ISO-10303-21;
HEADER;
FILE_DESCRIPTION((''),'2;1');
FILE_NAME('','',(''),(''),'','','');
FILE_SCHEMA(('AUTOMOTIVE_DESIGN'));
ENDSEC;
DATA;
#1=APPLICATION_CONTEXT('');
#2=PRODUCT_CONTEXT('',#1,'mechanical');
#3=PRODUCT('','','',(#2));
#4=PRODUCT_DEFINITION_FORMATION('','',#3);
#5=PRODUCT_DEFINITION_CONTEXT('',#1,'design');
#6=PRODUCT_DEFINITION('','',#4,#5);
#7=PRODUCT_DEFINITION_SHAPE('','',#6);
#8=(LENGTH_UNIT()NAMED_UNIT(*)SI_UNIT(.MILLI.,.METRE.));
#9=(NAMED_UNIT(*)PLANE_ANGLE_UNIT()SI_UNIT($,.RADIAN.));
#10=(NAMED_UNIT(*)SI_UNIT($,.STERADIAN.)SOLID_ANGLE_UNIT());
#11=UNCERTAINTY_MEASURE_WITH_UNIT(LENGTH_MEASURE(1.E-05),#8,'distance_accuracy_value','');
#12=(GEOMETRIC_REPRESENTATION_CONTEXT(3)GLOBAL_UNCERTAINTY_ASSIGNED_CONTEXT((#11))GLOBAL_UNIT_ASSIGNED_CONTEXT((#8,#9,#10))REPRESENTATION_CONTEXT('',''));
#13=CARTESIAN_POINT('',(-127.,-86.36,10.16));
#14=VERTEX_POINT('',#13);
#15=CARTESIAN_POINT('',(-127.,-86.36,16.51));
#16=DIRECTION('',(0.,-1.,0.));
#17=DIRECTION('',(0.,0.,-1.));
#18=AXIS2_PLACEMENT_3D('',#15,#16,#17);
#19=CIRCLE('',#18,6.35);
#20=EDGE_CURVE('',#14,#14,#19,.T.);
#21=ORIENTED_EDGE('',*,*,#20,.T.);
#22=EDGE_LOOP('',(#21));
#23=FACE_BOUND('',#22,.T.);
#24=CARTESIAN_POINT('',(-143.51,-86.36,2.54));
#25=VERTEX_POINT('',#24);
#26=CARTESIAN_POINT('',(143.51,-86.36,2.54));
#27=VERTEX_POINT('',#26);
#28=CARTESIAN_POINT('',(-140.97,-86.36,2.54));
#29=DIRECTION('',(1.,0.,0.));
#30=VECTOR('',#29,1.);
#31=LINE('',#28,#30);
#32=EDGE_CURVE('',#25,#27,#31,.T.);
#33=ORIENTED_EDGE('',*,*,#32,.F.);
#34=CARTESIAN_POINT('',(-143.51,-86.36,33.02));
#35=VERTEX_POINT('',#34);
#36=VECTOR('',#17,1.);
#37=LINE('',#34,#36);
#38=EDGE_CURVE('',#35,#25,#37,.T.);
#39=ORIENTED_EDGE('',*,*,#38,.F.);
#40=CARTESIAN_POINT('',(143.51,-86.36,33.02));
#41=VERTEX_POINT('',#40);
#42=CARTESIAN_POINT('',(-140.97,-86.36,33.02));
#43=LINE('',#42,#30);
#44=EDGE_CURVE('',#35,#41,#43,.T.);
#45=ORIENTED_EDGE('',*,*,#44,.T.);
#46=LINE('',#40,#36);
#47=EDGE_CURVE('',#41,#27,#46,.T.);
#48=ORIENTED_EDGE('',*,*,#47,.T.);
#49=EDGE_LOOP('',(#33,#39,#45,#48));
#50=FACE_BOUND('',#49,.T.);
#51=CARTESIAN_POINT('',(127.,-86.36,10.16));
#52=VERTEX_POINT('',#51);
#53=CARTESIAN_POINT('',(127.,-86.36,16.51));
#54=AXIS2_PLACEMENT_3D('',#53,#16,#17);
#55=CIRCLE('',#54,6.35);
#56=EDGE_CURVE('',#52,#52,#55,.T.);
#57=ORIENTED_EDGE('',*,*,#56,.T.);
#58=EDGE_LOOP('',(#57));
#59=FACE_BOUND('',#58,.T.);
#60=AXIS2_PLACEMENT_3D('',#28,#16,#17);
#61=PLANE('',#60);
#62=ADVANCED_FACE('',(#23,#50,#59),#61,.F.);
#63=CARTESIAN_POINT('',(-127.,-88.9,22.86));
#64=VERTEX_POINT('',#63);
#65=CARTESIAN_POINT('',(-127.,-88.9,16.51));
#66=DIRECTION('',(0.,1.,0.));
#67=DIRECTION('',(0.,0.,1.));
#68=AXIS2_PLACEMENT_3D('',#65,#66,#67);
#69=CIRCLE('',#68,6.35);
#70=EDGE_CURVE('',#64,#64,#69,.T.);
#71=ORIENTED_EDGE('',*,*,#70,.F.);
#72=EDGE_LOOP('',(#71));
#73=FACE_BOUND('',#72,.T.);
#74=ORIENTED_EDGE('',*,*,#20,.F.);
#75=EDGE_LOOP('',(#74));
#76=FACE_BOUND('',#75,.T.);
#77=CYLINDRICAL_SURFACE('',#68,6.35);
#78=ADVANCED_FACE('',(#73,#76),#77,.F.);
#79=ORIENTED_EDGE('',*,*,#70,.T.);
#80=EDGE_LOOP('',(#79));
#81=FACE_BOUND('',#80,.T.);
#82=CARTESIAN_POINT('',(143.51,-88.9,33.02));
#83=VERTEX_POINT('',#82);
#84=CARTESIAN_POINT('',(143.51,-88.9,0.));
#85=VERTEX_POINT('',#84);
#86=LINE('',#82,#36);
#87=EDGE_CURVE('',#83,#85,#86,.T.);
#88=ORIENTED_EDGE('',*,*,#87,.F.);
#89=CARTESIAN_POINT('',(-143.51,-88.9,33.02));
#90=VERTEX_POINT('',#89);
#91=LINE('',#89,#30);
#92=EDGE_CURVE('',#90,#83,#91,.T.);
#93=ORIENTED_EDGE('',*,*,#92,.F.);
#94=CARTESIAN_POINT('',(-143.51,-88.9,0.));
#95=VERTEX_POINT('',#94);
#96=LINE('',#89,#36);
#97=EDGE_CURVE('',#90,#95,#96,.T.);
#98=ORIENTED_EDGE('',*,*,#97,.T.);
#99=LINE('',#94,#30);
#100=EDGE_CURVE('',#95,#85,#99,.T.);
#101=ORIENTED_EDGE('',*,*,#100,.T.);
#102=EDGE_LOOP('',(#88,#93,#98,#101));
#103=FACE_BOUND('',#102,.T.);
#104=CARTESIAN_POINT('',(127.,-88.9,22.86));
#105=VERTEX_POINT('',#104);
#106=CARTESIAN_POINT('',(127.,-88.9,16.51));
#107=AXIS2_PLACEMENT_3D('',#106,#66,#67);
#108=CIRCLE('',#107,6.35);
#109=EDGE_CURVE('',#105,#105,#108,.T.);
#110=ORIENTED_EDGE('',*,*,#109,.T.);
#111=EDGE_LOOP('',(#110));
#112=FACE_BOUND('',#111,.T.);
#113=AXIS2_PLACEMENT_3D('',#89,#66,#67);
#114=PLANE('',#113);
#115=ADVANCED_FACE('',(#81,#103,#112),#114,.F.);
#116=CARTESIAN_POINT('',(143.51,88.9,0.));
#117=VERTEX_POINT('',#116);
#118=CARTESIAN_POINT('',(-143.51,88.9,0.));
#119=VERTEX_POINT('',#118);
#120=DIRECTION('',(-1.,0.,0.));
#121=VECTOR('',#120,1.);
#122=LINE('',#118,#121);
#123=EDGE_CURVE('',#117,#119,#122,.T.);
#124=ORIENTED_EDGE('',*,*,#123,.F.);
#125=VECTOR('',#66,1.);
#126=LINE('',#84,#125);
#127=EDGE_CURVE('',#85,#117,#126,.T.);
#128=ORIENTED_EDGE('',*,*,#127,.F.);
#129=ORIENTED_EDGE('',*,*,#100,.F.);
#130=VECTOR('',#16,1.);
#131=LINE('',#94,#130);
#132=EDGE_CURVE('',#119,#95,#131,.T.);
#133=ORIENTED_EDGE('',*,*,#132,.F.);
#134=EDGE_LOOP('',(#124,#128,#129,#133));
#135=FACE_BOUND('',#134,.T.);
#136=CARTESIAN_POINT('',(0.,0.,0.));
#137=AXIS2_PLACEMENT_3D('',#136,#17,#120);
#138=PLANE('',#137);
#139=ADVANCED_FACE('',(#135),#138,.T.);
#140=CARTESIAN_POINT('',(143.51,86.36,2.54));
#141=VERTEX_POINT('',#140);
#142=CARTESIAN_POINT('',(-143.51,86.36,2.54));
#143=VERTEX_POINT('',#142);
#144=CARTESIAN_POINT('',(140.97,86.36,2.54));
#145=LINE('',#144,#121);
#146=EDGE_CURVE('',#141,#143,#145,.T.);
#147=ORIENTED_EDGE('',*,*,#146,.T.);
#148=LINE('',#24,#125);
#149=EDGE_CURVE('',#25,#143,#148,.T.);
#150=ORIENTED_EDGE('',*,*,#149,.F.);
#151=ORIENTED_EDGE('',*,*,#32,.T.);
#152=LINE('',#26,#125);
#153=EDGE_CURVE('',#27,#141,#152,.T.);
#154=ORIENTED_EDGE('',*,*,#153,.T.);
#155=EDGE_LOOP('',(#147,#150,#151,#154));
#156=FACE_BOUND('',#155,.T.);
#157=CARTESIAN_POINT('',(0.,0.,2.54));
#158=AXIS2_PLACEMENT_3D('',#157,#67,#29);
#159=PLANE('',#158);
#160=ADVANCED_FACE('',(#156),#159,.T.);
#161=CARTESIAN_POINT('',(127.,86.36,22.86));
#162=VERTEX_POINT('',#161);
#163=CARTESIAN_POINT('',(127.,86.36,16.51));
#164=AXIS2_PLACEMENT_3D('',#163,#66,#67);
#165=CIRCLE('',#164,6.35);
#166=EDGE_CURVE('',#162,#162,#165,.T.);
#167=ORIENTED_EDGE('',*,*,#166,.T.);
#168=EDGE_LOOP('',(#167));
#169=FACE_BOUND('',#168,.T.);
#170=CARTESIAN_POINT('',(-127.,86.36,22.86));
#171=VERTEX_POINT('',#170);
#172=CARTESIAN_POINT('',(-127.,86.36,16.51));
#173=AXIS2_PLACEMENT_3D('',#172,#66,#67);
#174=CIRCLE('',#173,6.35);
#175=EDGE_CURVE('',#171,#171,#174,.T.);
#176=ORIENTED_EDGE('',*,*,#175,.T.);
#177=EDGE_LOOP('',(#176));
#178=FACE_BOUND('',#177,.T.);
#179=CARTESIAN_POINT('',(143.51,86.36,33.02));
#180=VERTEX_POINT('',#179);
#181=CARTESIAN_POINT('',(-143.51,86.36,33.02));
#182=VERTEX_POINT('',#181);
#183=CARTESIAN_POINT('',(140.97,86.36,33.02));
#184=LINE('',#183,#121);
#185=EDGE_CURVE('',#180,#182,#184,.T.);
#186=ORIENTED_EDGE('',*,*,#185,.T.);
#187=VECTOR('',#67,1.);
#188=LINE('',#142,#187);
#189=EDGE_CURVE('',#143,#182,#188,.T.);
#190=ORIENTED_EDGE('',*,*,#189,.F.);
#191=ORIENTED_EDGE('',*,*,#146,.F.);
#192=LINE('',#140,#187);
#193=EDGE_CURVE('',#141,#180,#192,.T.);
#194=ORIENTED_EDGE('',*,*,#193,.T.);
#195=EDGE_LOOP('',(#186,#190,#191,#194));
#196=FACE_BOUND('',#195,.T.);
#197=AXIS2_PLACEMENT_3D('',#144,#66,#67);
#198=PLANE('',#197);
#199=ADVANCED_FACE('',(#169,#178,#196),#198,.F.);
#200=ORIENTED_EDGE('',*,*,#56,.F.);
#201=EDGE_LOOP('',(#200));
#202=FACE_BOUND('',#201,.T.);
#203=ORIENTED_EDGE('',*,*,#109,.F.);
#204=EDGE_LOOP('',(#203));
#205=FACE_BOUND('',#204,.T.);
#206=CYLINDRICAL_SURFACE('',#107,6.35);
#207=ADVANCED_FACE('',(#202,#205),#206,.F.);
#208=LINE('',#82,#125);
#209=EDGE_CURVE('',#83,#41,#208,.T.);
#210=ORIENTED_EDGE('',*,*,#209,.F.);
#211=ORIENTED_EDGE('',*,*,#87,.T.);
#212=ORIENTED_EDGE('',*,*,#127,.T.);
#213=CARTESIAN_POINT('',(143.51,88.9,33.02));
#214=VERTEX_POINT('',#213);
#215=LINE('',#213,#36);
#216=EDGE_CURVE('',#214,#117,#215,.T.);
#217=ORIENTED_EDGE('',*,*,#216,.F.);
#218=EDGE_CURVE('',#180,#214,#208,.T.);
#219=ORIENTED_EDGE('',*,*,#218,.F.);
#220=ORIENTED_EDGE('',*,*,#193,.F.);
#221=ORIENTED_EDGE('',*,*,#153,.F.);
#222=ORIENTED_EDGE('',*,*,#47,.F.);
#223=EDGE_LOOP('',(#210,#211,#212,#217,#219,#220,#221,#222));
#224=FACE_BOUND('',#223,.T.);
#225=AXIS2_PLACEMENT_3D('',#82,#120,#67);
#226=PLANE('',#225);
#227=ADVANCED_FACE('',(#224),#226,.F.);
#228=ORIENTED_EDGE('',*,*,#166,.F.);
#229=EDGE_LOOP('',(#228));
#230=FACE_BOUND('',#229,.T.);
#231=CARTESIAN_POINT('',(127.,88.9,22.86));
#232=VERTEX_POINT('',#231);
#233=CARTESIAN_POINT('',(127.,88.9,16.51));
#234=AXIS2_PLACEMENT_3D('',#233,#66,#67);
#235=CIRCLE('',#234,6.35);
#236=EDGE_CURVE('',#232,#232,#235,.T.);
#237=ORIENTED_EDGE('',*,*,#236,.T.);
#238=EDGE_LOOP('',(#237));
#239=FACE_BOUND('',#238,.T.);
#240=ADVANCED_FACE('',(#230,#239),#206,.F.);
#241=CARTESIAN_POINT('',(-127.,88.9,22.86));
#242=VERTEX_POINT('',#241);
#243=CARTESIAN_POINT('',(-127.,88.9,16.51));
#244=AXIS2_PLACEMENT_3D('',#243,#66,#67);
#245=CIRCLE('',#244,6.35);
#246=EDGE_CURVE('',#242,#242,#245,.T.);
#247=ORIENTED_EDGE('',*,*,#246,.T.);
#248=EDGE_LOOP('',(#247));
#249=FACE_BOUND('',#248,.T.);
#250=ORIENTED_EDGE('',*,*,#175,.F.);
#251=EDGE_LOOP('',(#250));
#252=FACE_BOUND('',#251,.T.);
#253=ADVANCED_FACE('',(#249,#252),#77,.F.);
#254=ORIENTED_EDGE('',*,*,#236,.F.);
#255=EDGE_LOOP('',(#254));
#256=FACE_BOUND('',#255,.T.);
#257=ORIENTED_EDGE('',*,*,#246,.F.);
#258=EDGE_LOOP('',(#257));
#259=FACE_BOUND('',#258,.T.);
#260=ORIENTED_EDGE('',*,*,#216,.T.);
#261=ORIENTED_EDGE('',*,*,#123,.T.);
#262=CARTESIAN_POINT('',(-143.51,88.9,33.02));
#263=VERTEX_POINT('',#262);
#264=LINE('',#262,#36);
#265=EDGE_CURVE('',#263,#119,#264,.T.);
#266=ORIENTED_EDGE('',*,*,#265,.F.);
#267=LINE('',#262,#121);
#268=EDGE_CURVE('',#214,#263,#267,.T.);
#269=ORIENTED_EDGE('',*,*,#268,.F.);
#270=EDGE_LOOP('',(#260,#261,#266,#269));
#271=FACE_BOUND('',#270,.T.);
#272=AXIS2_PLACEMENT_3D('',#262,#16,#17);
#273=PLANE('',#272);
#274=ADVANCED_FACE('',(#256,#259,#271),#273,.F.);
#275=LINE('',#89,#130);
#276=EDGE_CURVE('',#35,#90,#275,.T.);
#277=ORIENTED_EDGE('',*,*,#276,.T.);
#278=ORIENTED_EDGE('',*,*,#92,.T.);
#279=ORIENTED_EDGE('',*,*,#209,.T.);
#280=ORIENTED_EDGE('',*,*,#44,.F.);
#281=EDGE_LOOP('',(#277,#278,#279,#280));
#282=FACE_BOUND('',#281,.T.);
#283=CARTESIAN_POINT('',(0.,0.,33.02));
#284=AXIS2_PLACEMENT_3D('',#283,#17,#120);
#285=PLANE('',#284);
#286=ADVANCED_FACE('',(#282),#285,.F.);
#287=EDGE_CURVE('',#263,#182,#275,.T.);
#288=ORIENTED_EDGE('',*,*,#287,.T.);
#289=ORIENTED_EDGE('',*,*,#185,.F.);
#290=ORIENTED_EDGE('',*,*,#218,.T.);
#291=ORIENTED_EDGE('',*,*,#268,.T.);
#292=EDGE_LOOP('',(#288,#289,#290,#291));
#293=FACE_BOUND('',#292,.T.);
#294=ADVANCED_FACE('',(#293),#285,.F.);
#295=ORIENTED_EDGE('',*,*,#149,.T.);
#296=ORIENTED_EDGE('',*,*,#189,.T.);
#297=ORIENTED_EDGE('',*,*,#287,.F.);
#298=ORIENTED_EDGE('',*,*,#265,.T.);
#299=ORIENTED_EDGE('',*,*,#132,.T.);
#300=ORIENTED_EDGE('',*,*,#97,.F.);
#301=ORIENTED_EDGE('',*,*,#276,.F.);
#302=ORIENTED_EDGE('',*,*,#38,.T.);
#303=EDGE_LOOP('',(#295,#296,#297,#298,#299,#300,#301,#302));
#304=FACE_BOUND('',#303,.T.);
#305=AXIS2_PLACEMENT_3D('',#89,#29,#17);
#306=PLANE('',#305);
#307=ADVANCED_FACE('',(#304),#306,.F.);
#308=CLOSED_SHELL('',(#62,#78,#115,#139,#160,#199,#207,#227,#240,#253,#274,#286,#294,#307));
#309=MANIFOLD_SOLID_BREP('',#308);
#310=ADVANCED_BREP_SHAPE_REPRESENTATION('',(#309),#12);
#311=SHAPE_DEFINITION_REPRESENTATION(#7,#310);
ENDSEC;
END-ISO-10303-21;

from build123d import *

# Parameters (mm, degrees)
SKETCH3_W               = 287.02
SKETCH3_H               = 177.8
BOSS_EXTRUDE1_DEPTH     = 33.02
SKETCH4_W               = 281.94
SKETCH4_H               = 172.72
CUT_EXTRUDE1_DEPTH      = 30.48
CUT_EXTRUDE2_DEPTH      = 300.87064011
CUT_EXTRUDE2_DEPTH_BACK = 300.87064011
SKETCH5_W               = 30.48
SKETCH5_H               = 172.72
CUT_EXTRUDE3_DEPTH      = 229.913756904
CUT_EXTRUDE3_DEPTH_BACK = 229.913756904
SKETCH6_R               = 6.35


with BuildPart() as part:
    # Sketch3 → Boss-Extrude1 (new body)
    with BuildSketch(Plane.XY):
        Rectangle(SKETCH3_W, SKETCH3_H)
    extrude(amount=BOSS_EXTRUDE1_DEPTH)

    # Sketch4 → Cut-Extrude1 (cut)
    with BuildSketch(Plane.XY.offset(33.02)):
        Rectangle(SKETCH4_W, SKETCH4_H)
    extrude(amount=-CUT_EXTRUDE1_DEPTH, mode=Mode.SUBTRACT)

    # Sketch5 → Cut-Extrude2 (cut, two sides: drawn at the far end of the back side and taken through both)
    with BuildSketch(Plane(origin=(-140.97, 0, 0), x_dir=(0, 0, -1), z_dir=(1, 0, 0)).offset(-CUT_EXTRUDE2_DEPTH_BACK)):
        with Locations((-17.78, 0)):
            Rectangle(SKETCH5_W, SKETCH5_H)
    extrude(amount=CUT_EXTRUDE2_DEPTH + CUT_EXTRUDE2_DEPTH_BACK, mode=Mode.SUBTRACT)

    # Sketch6 → Cut-Extrude3 (cut, two sides: drawn at the far end of the back side and taken through both)
    with BuildSketch(Plane(origin=(0, -86.36, 0), x_dir=(1, 0, 0), z_dir=(0, 1, 0)).offset(-CUT_EXTRUDE3_DEPTH_BACK)):
        with Locations(Location((127, -16.51, 0), (0, 0, 270))):
            Circle(SKETCH6_R)
        with Locations(Location((-127, -16.51, 0), (0, 0, 270))):
            Circle(SKETCH6_R)
    extrude(amount=CUT_EXTRUDE3_DEPTH + CUT_EXTRUDE3_DEPTH_BACK, mode=Mode.SUBTRACT)


solid = part.part
